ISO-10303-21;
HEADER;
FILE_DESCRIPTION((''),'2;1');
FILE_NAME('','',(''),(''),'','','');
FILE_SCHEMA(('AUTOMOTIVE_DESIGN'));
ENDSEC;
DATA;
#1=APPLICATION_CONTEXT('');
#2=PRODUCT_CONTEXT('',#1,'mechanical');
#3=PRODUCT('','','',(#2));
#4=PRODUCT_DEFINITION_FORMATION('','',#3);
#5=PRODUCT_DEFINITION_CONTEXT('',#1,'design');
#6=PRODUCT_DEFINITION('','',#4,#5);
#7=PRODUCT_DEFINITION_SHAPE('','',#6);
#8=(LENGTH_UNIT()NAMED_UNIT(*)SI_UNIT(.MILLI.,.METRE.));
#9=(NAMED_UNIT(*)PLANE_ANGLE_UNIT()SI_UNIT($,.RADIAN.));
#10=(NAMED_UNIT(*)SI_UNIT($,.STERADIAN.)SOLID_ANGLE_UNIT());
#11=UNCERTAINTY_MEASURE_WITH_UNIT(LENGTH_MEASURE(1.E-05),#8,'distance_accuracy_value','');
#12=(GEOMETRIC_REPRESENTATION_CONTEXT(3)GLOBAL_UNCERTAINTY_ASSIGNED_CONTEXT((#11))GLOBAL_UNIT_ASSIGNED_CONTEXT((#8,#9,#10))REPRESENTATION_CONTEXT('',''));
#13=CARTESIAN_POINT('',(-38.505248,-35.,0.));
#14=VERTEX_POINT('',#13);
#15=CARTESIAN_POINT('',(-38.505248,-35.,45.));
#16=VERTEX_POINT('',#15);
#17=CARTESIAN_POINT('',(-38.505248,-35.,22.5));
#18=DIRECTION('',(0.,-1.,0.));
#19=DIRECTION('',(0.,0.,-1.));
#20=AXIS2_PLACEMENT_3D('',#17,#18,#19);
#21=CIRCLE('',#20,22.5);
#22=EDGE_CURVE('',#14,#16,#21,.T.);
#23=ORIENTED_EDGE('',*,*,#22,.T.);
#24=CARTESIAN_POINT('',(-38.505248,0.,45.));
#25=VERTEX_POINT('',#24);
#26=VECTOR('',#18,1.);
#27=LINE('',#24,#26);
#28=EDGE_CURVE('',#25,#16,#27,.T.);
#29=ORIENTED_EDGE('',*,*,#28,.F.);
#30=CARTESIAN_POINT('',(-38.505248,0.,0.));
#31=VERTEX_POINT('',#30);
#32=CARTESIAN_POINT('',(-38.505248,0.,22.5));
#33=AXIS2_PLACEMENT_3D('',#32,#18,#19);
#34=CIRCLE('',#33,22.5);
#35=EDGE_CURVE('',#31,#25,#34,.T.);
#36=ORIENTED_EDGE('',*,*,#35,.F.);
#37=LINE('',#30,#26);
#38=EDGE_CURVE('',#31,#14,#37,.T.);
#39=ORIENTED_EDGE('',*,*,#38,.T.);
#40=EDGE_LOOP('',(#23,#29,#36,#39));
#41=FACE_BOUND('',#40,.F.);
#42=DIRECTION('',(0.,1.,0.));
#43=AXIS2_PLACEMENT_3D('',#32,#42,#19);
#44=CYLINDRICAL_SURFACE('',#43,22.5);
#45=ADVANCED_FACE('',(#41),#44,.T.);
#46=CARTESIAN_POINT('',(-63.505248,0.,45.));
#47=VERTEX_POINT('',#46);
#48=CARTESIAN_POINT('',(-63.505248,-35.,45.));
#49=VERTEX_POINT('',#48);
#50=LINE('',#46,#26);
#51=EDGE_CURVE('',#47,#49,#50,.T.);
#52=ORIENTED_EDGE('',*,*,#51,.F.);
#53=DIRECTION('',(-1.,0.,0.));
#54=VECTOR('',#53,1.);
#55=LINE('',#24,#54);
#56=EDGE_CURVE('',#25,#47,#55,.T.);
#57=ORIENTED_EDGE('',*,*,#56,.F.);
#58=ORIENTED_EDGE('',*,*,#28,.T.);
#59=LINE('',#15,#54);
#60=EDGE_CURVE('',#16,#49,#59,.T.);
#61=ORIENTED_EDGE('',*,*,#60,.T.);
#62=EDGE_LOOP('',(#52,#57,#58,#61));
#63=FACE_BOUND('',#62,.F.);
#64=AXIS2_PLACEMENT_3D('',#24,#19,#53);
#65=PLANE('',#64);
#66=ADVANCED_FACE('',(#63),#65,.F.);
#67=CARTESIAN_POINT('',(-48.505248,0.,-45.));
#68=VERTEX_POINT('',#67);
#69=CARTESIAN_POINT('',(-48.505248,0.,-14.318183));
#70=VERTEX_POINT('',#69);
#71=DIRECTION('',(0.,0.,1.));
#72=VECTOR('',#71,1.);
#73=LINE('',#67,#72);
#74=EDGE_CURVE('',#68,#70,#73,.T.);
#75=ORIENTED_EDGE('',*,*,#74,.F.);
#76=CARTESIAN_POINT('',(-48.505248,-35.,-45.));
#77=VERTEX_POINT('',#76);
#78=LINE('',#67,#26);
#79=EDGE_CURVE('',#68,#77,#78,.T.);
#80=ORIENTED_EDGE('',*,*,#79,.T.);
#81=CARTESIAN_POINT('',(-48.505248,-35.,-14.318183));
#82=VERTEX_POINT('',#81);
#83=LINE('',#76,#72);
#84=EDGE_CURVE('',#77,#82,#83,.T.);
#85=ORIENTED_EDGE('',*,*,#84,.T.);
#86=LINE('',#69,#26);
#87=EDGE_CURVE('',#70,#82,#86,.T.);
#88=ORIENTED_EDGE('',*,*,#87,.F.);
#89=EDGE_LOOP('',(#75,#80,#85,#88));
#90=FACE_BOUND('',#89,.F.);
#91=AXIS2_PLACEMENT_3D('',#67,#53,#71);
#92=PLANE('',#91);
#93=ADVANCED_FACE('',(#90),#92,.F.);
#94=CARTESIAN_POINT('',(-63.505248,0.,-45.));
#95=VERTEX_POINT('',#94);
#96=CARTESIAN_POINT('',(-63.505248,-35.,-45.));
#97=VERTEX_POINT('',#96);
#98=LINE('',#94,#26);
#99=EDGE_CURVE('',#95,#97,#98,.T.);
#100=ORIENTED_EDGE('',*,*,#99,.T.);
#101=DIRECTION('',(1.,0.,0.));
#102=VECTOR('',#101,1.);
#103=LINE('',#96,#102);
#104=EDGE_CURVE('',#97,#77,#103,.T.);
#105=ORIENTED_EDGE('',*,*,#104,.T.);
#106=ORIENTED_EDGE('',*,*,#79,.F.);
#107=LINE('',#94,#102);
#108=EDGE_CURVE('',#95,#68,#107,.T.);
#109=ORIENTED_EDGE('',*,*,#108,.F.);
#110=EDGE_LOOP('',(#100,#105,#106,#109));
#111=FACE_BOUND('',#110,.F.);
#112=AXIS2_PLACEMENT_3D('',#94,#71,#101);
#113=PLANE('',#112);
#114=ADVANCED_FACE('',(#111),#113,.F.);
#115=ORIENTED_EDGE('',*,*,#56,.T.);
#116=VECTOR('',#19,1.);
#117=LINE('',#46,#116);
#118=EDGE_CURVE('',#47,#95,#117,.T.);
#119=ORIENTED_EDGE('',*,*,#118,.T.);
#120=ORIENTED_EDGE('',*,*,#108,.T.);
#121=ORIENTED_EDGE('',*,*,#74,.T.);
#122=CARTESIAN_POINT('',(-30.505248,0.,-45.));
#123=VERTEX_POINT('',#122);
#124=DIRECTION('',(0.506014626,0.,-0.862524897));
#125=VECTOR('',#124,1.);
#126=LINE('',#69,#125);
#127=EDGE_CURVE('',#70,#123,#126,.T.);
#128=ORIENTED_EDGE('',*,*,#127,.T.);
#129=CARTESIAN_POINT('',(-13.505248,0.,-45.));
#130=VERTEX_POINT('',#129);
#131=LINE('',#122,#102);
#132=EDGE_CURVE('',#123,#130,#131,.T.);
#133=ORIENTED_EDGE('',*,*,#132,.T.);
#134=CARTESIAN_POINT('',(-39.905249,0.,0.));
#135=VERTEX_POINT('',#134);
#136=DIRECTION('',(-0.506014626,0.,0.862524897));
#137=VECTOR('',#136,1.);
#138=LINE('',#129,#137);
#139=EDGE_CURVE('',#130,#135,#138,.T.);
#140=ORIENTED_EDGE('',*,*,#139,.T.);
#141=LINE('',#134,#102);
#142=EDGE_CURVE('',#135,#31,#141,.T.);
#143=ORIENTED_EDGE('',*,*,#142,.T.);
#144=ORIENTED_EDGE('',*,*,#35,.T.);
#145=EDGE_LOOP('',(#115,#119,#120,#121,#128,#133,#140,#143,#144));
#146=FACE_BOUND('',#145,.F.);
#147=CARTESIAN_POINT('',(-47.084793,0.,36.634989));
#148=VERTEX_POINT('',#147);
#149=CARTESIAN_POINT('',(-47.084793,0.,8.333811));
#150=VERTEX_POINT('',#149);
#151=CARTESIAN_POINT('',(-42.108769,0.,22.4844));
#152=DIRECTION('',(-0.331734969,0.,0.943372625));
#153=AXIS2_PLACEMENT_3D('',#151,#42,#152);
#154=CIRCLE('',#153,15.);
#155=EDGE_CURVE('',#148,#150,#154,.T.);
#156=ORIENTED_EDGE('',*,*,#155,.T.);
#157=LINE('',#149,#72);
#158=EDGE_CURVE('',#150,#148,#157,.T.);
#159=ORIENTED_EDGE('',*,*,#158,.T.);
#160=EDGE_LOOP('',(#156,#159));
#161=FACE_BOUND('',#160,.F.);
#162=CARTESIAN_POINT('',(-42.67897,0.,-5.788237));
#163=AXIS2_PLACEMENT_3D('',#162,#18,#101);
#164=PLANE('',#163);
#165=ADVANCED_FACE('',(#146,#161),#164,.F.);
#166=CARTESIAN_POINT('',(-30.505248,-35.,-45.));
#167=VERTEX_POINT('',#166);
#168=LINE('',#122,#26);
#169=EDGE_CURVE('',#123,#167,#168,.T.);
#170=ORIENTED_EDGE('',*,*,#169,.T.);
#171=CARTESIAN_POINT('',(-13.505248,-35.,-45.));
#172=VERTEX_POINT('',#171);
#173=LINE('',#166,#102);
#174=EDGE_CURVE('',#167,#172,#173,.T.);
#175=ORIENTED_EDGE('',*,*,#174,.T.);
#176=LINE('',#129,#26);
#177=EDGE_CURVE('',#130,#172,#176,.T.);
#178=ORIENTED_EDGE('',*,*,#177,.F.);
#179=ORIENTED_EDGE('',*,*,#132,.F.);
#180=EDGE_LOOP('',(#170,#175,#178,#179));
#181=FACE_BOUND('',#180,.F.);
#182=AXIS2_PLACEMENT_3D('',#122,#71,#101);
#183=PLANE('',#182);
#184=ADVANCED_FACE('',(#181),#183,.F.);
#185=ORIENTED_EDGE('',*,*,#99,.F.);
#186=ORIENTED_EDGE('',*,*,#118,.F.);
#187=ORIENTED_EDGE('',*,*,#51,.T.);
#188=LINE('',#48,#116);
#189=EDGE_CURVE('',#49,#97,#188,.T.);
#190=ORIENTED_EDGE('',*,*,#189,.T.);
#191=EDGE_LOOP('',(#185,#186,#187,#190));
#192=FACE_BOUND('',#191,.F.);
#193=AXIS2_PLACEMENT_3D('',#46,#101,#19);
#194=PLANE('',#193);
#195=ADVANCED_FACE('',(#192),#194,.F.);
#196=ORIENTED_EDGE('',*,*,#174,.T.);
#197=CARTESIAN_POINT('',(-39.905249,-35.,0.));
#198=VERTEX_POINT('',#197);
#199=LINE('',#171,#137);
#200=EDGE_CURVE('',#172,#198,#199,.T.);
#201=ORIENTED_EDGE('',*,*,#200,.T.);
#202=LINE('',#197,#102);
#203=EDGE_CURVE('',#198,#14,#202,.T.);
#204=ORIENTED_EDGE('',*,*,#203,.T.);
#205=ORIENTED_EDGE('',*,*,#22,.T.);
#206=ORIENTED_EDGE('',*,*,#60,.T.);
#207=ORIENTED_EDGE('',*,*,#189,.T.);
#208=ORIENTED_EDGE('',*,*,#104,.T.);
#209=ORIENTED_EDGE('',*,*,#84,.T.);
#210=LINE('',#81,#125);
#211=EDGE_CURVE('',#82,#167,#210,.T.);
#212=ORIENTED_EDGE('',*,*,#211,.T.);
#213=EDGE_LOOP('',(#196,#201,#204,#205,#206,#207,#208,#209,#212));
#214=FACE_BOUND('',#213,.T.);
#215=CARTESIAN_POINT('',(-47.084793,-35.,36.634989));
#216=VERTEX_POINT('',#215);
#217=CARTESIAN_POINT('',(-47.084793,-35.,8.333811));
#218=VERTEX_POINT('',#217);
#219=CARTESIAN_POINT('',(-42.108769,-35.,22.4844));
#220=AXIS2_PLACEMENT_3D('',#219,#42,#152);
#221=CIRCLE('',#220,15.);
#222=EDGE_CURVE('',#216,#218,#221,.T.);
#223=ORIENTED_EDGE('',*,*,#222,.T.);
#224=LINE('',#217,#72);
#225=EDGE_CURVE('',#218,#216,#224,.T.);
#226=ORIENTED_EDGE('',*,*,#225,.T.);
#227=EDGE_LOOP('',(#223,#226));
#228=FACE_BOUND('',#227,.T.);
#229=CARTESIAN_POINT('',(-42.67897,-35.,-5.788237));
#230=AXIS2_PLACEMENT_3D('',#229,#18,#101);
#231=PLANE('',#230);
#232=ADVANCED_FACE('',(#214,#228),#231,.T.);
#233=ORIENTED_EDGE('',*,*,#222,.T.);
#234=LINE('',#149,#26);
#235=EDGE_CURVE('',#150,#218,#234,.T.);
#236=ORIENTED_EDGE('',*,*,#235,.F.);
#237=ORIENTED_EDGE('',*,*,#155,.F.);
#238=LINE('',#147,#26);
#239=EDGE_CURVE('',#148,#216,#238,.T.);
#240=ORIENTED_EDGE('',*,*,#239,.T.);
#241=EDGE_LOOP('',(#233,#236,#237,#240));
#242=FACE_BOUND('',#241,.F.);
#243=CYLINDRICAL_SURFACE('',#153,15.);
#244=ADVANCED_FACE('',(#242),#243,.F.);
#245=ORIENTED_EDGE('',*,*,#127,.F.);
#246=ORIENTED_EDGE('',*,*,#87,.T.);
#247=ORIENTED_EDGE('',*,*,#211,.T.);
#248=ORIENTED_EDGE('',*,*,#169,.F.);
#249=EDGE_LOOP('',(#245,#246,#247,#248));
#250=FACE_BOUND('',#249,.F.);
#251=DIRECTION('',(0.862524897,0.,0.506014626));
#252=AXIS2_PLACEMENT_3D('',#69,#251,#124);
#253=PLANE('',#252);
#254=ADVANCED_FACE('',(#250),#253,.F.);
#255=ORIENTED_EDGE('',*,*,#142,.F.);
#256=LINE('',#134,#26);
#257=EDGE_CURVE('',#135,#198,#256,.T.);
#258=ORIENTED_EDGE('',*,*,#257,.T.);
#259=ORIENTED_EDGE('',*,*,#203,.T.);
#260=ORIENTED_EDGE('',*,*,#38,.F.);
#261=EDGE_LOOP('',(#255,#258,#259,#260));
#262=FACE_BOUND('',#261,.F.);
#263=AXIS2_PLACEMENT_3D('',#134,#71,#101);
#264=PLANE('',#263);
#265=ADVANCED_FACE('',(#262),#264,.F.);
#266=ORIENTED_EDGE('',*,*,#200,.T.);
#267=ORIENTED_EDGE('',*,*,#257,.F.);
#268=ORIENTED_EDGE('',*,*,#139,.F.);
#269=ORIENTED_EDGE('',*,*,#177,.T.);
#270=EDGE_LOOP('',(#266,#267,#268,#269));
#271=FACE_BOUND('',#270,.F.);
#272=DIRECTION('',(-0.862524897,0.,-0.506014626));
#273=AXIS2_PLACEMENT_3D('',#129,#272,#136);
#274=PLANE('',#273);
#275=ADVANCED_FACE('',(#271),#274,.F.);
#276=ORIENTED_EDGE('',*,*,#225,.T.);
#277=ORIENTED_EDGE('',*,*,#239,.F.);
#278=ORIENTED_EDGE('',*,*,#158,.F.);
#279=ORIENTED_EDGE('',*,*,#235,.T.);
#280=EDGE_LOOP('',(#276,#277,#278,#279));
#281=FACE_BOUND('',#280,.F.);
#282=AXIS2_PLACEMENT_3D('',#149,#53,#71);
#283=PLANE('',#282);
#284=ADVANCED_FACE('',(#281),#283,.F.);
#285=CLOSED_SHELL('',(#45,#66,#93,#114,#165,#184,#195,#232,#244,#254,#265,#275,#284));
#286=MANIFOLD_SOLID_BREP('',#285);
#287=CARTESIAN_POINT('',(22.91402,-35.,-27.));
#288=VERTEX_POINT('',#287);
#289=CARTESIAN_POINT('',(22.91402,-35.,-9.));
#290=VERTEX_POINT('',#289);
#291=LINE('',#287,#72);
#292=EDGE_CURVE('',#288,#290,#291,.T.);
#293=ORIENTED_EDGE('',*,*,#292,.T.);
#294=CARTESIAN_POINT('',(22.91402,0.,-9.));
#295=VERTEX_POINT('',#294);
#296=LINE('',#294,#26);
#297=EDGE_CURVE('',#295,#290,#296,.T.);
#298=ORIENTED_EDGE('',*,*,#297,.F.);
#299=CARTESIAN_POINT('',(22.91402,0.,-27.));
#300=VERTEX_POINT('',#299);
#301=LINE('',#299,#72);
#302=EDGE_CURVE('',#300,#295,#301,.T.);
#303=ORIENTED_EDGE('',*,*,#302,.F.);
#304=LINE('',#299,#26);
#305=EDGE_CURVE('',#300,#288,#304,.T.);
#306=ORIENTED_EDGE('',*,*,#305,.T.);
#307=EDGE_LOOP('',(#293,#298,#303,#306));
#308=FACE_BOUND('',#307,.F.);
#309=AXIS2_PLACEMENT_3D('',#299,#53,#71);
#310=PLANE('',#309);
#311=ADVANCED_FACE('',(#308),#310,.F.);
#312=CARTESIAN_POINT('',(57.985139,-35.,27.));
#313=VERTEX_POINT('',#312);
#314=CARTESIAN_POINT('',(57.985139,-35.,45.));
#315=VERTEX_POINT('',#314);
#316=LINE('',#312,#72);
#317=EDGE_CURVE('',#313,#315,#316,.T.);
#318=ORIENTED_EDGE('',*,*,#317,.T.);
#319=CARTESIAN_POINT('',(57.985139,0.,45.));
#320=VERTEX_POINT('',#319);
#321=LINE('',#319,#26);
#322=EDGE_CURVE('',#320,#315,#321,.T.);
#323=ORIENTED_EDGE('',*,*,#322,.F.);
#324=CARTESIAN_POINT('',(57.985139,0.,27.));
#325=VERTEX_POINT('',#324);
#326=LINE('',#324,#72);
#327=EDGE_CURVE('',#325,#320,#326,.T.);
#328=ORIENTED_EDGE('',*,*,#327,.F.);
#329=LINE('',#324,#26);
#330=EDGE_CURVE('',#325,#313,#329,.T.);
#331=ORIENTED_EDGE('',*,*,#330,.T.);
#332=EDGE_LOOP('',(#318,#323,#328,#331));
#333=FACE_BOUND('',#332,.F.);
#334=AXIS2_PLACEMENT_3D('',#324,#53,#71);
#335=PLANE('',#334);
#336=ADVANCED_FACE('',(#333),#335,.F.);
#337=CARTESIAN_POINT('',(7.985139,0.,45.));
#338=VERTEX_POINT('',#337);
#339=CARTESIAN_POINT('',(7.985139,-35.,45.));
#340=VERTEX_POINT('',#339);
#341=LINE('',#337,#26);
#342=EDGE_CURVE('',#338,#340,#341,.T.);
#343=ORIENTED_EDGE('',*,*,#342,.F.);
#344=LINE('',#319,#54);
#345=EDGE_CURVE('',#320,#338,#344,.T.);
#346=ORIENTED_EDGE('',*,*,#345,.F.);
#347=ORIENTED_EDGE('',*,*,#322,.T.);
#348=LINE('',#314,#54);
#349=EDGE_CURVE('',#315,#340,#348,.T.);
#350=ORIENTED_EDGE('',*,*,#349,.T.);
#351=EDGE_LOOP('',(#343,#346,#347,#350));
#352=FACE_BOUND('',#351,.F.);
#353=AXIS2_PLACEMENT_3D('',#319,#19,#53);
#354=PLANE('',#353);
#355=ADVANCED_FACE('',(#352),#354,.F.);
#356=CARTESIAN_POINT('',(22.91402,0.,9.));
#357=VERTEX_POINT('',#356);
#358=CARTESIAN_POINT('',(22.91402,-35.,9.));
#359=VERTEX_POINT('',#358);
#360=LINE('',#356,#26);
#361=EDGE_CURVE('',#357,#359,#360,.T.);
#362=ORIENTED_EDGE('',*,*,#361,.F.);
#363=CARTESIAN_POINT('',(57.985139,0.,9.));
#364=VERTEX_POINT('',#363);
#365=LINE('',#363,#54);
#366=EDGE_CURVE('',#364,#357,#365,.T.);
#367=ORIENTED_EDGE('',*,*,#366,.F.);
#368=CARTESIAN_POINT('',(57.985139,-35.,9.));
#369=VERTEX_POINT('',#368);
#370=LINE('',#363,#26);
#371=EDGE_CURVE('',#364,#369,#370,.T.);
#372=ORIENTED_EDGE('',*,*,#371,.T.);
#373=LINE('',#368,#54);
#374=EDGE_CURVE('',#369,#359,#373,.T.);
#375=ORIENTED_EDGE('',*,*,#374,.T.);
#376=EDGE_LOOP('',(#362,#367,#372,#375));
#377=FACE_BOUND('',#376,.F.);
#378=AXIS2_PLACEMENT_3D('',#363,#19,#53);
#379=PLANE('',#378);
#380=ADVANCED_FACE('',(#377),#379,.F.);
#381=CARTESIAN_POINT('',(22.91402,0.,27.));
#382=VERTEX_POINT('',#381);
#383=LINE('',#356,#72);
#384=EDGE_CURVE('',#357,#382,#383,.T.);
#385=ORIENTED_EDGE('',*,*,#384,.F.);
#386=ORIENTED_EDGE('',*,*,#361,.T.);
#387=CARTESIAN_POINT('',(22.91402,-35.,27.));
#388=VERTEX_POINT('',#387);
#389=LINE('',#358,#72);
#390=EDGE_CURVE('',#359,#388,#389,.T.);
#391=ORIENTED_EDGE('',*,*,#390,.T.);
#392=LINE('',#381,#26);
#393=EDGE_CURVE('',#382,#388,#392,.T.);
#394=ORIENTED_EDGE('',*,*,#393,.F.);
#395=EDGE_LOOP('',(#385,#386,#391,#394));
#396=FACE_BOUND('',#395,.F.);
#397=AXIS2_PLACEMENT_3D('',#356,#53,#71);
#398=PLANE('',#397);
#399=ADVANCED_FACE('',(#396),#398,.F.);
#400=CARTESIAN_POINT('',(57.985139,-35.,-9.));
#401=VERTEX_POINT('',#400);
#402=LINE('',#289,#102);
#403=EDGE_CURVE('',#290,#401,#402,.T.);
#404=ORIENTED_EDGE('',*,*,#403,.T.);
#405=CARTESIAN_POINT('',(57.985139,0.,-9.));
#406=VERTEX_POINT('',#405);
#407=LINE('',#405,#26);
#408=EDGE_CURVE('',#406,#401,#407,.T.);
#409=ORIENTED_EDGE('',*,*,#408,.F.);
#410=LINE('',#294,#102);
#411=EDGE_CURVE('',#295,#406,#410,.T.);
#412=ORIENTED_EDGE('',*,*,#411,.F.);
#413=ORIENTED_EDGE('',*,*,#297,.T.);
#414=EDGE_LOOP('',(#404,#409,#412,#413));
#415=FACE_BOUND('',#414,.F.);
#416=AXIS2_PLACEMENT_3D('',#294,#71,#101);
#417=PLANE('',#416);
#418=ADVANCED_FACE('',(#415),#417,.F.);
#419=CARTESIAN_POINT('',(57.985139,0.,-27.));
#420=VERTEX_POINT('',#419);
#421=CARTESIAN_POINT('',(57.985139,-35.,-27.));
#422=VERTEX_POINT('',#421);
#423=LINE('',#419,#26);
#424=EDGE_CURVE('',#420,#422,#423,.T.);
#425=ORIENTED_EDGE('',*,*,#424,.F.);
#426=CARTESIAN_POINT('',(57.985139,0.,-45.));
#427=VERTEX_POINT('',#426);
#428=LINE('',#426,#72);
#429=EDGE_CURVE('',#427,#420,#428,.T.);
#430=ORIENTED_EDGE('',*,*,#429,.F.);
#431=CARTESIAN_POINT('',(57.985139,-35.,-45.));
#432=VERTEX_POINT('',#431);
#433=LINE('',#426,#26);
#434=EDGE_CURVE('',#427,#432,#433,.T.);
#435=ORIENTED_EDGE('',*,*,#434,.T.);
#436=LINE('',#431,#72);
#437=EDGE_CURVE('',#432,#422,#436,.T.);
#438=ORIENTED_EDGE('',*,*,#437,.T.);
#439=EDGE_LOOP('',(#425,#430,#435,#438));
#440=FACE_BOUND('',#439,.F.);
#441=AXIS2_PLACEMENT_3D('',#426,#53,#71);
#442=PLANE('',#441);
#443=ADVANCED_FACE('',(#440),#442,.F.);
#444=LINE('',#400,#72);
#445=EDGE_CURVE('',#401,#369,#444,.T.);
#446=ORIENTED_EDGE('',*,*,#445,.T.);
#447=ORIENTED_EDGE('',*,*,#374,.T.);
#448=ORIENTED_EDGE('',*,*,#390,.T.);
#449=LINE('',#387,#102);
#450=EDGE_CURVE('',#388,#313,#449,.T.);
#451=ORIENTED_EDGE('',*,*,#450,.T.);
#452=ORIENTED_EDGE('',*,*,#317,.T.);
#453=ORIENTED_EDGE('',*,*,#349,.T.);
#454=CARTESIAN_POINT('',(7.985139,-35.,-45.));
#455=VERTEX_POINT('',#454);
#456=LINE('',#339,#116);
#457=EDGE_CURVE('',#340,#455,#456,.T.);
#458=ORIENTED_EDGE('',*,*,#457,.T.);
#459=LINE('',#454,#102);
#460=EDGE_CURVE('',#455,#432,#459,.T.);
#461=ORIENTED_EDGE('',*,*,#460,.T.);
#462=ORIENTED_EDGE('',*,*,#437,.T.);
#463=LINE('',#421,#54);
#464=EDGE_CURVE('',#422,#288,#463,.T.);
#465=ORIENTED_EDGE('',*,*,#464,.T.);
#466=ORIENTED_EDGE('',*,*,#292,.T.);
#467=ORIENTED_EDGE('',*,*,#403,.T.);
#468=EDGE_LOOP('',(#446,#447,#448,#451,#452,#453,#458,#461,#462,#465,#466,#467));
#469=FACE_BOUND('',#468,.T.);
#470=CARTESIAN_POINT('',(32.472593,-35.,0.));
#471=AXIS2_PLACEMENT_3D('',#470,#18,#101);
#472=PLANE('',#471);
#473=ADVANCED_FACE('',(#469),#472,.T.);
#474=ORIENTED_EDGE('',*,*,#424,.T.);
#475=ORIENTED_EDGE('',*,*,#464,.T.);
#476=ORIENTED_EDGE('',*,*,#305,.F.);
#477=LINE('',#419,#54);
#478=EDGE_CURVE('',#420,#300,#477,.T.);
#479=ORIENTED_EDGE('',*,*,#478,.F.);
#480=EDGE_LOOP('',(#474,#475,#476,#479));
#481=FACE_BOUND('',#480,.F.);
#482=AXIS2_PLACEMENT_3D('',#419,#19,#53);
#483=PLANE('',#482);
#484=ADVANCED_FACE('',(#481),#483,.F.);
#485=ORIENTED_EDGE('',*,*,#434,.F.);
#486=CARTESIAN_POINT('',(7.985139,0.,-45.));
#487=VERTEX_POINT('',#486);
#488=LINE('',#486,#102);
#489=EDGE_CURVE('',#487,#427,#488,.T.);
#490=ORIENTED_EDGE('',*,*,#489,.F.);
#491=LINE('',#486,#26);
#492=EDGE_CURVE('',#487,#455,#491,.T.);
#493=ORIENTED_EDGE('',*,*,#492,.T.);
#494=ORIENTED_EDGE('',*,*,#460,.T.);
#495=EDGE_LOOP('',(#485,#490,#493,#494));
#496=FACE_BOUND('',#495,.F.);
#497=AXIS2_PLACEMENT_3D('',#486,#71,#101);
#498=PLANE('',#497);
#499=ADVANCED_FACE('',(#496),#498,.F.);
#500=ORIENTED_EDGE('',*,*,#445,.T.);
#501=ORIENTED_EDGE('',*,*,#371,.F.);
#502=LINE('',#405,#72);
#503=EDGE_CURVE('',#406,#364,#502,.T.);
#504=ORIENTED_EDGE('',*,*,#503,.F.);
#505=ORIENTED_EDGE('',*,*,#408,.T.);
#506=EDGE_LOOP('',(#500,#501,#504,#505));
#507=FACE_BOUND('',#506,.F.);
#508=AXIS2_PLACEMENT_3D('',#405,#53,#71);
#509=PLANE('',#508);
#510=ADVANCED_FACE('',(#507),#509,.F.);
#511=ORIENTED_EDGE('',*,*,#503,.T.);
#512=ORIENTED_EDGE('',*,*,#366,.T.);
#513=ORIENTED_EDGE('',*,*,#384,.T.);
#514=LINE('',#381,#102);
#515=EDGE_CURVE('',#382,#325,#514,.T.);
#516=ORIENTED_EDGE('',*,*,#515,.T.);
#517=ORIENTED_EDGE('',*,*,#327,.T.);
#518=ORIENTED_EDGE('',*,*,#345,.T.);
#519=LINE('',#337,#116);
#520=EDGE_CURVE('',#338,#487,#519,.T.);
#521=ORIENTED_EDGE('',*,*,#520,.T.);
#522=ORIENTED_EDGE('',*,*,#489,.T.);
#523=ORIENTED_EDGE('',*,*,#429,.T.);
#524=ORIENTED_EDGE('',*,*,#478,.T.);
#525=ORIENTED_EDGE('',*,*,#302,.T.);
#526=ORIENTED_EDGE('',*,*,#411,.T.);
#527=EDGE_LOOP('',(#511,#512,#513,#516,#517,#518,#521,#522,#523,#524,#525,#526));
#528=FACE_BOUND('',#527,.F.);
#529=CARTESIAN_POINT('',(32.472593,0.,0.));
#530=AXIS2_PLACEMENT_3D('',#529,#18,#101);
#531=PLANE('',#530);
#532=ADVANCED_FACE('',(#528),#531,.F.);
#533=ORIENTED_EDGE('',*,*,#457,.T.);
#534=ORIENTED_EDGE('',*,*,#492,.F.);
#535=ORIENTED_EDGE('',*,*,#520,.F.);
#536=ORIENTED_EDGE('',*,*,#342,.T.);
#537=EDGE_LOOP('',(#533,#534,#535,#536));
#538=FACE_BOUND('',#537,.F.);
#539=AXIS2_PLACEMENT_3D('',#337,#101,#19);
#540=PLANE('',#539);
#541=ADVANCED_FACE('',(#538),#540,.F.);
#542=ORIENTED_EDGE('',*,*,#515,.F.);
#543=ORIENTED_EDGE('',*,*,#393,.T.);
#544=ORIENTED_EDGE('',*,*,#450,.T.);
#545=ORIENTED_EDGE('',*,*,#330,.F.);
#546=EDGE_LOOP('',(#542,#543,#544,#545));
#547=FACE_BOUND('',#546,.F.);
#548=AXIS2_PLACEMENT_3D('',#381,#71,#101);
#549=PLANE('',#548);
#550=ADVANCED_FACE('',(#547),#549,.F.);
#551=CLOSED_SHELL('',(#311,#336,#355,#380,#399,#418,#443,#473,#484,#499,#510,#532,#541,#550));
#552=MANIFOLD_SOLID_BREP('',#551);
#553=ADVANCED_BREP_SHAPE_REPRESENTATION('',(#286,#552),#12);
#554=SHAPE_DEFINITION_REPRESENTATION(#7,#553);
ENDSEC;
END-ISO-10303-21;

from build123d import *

# Parameters (mm, degrees)
F1_DEPTH = 35


with BuildPart() as f1:
    # F0 (on Front) → F1 (new body)
    with BuildSketch(Plane.XZ):
        with BuildLine():
            Line((-38.505248, 45), (-63.505248, 45))
            Line((-63.505248, 45), (-63.505248, -45))
            Line((-63.505248, -45), (-48.505248, -45))
            Line((-48.505248, -45), (-48.505248, -14.318183))
            Line((-48.505248, -14.318183), (-30.505248, -45))
            Line((-30.505248, -45), (-13.505248, -45))
            Line((-13.505248, -45), (-39.905249, 0))
            Line((-39.905249, 0), (-38.505248, 0))
            ThreePointArc((-38.505248, 0), (-16.005248, 22.5), (-38.505248, 45))
        make_face()
        with BuildLine():
            Line((-47.084793, 8.333811), (-47.084793, 36.634989))
            ThreePointArc((-47.084793, 36.634989), (-27.108769, 22.4844), (-47.084793, 8.333811))
        make_face(mode=Mode.SUBTRACT)
        Polygon((7.985139, 45), (7.985139, -45), (57.985139, -45), (57.985139, -27), (22.91402, -27), (22.91402, -9), (57.985139, -9), (57.985139, 9), (22.91402, 9), (22.91402, 27), (57.985139, 27), (57.985139, 45), align=None)
    extrude(amount=F1_DEPTH)


solid = f1.part
